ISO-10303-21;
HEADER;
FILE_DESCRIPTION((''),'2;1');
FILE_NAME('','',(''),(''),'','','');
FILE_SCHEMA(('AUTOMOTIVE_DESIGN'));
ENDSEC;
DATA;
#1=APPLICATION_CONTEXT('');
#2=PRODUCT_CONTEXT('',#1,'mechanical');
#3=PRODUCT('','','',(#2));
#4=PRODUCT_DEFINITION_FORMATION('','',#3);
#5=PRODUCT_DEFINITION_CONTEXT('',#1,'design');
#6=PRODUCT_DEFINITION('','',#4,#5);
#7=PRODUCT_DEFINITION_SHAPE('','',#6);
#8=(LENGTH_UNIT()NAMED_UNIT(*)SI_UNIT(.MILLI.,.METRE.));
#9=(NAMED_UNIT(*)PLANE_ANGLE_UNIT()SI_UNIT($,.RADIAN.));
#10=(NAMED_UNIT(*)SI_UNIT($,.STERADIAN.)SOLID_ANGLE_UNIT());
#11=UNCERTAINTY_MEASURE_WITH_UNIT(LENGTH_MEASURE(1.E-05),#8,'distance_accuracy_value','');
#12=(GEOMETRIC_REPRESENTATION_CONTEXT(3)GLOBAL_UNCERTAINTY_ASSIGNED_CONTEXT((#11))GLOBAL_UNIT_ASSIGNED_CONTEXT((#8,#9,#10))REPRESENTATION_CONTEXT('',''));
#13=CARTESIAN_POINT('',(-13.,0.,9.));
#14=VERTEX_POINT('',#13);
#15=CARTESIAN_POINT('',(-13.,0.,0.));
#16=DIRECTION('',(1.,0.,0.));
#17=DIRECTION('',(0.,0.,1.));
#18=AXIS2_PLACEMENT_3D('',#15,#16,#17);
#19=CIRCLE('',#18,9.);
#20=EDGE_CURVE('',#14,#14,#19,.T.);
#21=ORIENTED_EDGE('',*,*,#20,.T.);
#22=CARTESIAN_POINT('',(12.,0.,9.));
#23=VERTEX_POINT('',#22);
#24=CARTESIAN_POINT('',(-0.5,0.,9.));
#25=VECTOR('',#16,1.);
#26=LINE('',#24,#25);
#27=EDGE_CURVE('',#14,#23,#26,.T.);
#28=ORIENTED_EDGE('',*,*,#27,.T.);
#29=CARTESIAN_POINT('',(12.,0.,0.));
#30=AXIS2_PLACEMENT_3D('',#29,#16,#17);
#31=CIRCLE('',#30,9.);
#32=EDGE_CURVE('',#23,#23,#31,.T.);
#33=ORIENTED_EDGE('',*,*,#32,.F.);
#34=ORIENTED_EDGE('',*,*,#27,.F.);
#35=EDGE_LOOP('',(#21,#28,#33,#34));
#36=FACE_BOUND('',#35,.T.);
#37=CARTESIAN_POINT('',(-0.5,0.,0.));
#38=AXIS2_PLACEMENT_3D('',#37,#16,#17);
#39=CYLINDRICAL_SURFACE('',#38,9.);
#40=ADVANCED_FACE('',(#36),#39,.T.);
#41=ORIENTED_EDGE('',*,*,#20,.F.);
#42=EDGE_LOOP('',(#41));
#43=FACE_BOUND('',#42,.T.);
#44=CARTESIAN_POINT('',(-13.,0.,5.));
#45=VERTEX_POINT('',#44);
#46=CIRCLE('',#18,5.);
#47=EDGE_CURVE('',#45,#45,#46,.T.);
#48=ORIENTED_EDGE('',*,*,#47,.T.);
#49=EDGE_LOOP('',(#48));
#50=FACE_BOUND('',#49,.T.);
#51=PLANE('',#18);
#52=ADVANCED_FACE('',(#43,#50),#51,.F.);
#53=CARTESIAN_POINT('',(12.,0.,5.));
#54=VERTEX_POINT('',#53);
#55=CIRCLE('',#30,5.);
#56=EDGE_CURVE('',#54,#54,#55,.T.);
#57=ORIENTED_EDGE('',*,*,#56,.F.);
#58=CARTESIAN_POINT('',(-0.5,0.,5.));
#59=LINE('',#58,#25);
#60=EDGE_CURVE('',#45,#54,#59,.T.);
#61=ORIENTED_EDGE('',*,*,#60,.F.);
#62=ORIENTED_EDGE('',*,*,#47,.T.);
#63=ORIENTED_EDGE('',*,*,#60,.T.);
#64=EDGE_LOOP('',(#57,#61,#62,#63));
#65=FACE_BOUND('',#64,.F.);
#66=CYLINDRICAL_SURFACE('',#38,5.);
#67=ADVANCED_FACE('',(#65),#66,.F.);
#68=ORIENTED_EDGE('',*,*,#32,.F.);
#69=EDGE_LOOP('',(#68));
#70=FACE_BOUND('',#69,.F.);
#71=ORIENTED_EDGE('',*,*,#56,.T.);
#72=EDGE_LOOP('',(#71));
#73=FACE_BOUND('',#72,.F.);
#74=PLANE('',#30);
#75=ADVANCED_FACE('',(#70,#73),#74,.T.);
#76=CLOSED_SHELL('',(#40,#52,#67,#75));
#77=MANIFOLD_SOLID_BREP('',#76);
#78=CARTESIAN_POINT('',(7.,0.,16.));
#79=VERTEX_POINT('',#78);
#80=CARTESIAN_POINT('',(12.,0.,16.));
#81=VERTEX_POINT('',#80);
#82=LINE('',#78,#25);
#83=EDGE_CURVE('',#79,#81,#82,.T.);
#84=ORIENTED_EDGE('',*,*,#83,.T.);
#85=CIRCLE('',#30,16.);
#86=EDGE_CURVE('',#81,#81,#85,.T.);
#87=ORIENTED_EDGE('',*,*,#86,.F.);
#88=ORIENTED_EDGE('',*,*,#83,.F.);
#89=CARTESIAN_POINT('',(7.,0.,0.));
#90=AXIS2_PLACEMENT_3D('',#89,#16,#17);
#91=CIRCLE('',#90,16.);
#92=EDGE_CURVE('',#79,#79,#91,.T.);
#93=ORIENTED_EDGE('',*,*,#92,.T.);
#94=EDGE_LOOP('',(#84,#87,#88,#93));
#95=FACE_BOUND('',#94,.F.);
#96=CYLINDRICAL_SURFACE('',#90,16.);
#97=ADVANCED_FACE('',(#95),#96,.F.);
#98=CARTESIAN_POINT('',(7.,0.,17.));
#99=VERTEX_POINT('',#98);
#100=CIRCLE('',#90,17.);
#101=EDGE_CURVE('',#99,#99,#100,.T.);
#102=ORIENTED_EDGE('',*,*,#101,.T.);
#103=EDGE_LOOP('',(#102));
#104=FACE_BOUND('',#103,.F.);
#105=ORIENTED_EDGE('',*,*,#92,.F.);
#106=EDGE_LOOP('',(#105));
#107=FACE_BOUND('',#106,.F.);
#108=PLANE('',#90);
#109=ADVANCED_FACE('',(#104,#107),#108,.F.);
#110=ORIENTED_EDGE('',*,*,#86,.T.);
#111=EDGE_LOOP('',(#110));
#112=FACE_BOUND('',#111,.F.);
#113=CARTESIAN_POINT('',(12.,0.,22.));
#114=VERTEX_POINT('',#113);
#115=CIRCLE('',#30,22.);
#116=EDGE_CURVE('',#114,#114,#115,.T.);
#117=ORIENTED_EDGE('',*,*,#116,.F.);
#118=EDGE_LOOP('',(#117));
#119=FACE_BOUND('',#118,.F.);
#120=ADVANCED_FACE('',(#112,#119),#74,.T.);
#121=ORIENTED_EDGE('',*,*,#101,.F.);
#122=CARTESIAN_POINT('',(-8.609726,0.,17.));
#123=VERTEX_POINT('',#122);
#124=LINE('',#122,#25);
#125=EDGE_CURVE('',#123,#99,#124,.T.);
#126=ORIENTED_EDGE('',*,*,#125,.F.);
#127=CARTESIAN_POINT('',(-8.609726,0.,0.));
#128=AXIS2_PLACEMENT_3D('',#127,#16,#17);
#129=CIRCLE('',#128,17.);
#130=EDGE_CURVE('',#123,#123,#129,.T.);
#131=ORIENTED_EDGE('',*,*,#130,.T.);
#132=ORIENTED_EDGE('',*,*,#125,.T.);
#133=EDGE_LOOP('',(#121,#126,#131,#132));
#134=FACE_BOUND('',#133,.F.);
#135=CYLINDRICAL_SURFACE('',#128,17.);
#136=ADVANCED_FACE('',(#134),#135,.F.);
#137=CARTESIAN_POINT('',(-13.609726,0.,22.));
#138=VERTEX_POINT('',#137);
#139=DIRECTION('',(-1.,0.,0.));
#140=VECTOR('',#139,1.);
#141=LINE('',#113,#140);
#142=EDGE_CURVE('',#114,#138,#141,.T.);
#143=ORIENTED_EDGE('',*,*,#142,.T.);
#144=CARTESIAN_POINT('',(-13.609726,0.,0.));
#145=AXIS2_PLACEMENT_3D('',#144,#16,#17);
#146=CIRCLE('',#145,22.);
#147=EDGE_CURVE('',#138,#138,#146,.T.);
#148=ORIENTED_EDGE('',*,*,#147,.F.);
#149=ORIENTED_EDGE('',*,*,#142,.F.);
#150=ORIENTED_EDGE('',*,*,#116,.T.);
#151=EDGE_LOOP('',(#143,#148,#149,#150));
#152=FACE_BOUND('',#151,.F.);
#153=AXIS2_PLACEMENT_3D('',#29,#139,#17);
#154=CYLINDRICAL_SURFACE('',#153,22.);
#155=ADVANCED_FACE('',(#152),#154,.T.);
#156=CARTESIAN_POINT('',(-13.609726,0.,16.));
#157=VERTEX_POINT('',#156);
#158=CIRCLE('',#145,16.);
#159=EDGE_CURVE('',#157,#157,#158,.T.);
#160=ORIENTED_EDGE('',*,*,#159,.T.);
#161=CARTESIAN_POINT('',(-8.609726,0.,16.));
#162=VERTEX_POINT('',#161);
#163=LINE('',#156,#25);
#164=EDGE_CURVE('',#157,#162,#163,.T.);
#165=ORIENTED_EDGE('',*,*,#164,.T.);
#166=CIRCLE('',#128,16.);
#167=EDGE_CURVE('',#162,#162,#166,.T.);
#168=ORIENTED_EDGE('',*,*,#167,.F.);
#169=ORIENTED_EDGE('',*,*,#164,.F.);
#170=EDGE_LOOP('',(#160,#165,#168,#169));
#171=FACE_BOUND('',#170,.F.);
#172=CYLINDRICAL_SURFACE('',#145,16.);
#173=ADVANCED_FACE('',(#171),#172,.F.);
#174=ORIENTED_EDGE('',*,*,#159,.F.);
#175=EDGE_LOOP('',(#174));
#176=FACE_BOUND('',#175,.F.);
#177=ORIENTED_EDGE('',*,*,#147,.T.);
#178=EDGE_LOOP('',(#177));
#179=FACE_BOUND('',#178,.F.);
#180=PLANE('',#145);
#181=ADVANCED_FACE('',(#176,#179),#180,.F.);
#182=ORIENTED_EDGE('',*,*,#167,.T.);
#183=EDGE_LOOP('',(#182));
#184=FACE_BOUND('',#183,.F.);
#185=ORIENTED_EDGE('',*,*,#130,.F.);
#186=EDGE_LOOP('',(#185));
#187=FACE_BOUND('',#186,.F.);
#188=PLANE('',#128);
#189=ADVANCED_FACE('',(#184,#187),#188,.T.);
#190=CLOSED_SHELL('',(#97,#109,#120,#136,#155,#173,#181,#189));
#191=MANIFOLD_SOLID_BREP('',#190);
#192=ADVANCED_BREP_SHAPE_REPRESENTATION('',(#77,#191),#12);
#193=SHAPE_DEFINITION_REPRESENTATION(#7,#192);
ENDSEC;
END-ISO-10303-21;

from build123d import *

# Parameters (mm, degrees)
F0_W = 25
F0_H = 4


with BuildPart() as f1:
    # F0 (on Front) → F1 (revolve)
    with BuildSketch(Plane.XZ):
        with Locations((-0.5, 7)):
            Rectangle(F0_W, F0_H)
        Polygon((-13.609726, 22), (-13.609726, 16), (-8.609726, 16), (-8.609726, 17), (7, 17), (7, 16), (12, 16), (12, 22), align=None)
    revolve(axis=Axis((-0.374998, 0, 0), (1, 0, 0)))


solid = f1.part
